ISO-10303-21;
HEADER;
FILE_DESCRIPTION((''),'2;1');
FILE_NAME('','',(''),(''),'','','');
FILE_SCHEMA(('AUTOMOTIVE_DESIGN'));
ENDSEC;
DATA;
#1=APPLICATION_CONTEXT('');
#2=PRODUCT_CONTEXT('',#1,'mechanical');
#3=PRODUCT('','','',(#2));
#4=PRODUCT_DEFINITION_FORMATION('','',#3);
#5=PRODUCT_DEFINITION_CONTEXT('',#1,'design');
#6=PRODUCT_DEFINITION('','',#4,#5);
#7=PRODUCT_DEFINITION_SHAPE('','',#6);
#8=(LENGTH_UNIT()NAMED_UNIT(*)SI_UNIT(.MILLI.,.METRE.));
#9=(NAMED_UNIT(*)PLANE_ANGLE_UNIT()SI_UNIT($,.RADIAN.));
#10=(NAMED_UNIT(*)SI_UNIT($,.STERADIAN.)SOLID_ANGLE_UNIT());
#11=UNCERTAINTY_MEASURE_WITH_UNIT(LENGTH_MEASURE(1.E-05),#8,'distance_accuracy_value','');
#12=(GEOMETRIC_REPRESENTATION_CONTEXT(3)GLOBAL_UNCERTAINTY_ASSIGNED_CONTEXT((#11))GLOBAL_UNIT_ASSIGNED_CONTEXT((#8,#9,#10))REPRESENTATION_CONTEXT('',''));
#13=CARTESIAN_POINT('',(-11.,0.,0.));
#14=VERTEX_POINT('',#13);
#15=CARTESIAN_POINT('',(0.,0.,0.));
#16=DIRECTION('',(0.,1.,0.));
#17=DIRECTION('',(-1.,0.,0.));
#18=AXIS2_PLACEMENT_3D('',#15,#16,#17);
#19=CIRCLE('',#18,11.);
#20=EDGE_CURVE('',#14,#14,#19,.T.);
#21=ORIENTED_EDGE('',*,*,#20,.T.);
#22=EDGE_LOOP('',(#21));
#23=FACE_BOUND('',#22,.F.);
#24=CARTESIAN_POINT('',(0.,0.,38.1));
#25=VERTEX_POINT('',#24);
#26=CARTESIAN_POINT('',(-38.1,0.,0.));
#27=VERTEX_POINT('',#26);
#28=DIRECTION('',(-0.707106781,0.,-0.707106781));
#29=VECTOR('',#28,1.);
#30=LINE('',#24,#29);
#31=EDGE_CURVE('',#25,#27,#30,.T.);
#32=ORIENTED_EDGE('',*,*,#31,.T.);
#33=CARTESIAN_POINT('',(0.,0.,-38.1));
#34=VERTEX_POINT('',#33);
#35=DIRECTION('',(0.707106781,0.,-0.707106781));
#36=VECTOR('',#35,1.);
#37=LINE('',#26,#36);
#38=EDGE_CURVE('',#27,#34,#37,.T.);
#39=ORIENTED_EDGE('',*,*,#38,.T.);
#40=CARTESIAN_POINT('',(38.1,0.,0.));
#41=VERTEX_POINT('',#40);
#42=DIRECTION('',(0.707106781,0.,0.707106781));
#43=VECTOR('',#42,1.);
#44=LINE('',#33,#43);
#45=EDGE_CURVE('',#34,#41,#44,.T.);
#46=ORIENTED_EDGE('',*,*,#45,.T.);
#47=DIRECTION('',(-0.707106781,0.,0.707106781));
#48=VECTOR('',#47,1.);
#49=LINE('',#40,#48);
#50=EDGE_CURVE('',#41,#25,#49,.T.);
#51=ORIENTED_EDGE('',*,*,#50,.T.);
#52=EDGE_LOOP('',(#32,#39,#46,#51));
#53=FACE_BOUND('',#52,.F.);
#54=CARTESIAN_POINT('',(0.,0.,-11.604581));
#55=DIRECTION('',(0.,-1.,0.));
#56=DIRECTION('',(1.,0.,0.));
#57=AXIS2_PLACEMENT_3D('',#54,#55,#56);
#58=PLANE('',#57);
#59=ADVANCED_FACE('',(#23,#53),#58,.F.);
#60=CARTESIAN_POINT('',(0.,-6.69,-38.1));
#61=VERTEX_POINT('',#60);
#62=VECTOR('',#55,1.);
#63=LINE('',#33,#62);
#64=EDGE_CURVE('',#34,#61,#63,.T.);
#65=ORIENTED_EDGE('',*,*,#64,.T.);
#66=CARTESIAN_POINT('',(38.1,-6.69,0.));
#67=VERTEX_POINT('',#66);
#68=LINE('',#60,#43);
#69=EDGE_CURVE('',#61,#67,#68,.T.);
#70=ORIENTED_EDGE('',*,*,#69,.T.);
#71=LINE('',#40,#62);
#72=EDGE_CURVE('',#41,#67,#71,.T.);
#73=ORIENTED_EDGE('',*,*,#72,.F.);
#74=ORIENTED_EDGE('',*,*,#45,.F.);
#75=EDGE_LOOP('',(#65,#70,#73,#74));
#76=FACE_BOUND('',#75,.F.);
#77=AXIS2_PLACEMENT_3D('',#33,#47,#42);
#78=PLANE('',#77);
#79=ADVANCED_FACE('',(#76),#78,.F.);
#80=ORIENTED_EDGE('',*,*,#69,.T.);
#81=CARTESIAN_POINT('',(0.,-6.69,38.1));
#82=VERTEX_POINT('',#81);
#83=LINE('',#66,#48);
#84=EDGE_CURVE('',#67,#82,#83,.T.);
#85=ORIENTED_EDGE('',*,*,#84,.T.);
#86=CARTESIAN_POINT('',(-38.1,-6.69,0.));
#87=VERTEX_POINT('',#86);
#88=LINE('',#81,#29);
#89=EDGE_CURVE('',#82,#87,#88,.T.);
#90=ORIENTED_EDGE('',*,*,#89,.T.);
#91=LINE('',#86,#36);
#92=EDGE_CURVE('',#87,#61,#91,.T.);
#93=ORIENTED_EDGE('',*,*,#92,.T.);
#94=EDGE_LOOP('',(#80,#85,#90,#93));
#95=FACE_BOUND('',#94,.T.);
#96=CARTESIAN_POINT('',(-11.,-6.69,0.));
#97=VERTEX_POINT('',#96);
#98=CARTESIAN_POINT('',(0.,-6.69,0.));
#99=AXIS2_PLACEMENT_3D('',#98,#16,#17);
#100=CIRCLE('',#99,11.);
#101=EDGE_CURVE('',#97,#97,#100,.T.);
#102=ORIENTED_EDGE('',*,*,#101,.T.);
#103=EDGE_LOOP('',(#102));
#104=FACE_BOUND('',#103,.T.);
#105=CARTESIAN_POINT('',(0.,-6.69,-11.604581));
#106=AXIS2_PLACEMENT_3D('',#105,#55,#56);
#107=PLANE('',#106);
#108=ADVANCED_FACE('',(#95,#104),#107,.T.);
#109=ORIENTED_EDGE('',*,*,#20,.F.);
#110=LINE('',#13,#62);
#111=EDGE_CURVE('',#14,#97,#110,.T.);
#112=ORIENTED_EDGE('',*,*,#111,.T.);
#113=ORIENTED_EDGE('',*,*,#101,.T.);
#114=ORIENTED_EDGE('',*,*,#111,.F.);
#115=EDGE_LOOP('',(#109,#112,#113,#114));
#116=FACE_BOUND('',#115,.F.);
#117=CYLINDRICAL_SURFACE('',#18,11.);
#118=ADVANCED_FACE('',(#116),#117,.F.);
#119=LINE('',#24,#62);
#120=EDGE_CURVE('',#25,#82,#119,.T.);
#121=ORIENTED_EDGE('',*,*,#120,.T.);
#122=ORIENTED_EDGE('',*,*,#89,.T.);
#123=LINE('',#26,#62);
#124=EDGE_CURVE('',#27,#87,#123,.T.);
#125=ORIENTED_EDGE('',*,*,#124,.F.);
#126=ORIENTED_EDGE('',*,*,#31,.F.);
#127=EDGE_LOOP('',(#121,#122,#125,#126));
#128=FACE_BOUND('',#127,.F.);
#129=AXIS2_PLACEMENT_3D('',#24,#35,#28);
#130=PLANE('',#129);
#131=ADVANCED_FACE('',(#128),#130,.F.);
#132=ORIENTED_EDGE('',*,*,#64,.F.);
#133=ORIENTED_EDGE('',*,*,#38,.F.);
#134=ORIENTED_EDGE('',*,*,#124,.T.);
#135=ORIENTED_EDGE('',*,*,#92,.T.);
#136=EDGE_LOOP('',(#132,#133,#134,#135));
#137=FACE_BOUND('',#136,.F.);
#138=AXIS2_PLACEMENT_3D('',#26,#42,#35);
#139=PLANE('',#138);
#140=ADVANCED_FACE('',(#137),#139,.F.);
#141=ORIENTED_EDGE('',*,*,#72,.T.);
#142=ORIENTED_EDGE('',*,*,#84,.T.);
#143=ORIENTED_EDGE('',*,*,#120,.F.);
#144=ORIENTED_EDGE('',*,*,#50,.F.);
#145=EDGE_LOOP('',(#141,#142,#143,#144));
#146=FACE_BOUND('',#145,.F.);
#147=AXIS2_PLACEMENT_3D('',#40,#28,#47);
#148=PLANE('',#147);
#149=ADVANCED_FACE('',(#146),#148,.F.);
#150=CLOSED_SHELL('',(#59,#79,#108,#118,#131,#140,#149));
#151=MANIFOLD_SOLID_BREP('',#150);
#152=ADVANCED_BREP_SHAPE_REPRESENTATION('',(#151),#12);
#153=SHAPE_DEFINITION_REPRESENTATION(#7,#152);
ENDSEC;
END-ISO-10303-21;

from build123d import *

# Parameters (mm, degrees)
F1_DEPTH = 6.69


with BuildPart() as f1:
    # F0 (on Front) → F1 (new body)
    with BuildSketch(Plane.XZ):
        with BuildLine():
            Line((38.1, 0), (11, 0))
            ThreePointArc((11, 0), (0, -11), (-11, 0))
            Line((-11, 0), (-38.1, 0))
            Line((-38.1, 0), (0, -38.1))
            Line((0, -38.1), (38.1, 0))
        make_face()
        with BuildLine():
            ThreePointArc((-11, 0), (0, 11), (11, 0))
            Line((11, 0), (38.1, 0))
            Line((38.1, 0), (0, 38.1))
            Line((0, 38.1), (-38.1, 0))
            Line((-38.1, 0), (-11, 0))
        make_face()
    extrude(amount=F1_DEPTH)


solid = f1.part
